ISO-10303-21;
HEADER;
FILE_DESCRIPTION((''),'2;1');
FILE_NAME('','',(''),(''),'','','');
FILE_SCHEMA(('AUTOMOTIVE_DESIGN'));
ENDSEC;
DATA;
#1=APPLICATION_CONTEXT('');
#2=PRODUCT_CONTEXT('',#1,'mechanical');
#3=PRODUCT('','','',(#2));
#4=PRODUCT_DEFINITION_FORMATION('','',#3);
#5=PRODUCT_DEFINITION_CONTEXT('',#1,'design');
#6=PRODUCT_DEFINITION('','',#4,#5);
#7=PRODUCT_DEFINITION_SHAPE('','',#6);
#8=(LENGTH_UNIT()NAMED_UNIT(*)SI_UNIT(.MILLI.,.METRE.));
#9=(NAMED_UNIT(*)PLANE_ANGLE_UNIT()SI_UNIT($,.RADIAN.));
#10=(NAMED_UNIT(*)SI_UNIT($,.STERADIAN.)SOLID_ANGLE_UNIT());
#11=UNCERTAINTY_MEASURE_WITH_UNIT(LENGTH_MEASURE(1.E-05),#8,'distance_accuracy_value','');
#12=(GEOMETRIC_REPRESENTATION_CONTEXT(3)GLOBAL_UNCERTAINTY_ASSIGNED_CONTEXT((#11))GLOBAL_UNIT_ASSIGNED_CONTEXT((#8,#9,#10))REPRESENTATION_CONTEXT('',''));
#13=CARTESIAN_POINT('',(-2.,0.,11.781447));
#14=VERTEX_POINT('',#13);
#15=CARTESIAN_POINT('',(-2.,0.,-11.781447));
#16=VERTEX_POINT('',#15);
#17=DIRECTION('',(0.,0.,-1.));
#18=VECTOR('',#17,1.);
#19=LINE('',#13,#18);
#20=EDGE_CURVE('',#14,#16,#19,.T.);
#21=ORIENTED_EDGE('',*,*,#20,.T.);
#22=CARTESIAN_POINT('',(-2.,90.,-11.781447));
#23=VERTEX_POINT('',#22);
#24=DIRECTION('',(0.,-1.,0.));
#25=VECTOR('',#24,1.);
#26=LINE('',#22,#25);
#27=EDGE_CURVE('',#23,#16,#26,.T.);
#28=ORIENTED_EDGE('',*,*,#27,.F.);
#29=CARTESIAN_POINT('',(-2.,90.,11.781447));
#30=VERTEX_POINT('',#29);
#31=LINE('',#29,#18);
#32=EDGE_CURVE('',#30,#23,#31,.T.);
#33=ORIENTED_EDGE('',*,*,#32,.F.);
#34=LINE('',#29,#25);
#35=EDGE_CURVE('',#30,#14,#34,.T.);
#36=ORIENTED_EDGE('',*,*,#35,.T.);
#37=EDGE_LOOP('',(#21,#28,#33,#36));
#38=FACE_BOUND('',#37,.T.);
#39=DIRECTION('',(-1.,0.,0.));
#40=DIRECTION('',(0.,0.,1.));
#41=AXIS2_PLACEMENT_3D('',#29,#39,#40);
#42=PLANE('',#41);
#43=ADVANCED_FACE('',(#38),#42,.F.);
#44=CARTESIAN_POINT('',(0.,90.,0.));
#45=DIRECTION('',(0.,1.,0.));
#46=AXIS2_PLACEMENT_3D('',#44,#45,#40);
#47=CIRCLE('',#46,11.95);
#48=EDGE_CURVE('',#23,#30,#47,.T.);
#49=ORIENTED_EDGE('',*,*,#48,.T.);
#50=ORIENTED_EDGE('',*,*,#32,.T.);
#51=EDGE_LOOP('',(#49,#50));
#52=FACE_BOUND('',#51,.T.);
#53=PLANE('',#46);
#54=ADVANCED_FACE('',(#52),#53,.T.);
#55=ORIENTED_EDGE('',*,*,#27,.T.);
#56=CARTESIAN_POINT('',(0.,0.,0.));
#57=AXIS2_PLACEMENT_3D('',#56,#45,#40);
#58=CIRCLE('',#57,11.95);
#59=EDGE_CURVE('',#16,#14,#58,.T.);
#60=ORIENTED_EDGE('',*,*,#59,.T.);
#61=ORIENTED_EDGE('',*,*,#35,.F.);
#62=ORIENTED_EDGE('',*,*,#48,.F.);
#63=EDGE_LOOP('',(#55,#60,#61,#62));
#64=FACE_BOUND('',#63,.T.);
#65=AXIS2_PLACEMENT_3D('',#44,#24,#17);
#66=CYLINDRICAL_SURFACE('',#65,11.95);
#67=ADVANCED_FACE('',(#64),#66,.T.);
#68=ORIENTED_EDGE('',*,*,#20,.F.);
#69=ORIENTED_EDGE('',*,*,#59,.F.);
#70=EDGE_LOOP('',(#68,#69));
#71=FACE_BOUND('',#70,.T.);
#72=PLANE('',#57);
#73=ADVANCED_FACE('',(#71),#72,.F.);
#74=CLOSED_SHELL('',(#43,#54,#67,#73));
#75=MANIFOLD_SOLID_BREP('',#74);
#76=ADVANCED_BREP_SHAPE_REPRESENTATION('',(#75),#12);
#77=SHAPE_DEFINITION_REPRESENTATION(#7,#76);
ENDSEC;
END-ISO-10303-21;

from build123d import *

# Parameters (mm, degrees)
BOSS_EXTRUDE1_DEPTH = 90


with BuildPart() as part:
    # Sketch1 → Boss-Extrude1 (new body)
    with BuildSketch(Plane(origin=(0, 0, 0), x_dir=(1, 0, 0), z_dir=(0, 1, 0))):
        with BuildLine():
            Line((-2, -11.78144728), (-2, 11.78144728))
            ThreePointArc((-2, 11.78144728), (-11.95, 0), (-2, -11.78144728))
        make_face()
    extrude(amount=BOSS_EXTRUDE1_DEPTH)


solid = part.part
